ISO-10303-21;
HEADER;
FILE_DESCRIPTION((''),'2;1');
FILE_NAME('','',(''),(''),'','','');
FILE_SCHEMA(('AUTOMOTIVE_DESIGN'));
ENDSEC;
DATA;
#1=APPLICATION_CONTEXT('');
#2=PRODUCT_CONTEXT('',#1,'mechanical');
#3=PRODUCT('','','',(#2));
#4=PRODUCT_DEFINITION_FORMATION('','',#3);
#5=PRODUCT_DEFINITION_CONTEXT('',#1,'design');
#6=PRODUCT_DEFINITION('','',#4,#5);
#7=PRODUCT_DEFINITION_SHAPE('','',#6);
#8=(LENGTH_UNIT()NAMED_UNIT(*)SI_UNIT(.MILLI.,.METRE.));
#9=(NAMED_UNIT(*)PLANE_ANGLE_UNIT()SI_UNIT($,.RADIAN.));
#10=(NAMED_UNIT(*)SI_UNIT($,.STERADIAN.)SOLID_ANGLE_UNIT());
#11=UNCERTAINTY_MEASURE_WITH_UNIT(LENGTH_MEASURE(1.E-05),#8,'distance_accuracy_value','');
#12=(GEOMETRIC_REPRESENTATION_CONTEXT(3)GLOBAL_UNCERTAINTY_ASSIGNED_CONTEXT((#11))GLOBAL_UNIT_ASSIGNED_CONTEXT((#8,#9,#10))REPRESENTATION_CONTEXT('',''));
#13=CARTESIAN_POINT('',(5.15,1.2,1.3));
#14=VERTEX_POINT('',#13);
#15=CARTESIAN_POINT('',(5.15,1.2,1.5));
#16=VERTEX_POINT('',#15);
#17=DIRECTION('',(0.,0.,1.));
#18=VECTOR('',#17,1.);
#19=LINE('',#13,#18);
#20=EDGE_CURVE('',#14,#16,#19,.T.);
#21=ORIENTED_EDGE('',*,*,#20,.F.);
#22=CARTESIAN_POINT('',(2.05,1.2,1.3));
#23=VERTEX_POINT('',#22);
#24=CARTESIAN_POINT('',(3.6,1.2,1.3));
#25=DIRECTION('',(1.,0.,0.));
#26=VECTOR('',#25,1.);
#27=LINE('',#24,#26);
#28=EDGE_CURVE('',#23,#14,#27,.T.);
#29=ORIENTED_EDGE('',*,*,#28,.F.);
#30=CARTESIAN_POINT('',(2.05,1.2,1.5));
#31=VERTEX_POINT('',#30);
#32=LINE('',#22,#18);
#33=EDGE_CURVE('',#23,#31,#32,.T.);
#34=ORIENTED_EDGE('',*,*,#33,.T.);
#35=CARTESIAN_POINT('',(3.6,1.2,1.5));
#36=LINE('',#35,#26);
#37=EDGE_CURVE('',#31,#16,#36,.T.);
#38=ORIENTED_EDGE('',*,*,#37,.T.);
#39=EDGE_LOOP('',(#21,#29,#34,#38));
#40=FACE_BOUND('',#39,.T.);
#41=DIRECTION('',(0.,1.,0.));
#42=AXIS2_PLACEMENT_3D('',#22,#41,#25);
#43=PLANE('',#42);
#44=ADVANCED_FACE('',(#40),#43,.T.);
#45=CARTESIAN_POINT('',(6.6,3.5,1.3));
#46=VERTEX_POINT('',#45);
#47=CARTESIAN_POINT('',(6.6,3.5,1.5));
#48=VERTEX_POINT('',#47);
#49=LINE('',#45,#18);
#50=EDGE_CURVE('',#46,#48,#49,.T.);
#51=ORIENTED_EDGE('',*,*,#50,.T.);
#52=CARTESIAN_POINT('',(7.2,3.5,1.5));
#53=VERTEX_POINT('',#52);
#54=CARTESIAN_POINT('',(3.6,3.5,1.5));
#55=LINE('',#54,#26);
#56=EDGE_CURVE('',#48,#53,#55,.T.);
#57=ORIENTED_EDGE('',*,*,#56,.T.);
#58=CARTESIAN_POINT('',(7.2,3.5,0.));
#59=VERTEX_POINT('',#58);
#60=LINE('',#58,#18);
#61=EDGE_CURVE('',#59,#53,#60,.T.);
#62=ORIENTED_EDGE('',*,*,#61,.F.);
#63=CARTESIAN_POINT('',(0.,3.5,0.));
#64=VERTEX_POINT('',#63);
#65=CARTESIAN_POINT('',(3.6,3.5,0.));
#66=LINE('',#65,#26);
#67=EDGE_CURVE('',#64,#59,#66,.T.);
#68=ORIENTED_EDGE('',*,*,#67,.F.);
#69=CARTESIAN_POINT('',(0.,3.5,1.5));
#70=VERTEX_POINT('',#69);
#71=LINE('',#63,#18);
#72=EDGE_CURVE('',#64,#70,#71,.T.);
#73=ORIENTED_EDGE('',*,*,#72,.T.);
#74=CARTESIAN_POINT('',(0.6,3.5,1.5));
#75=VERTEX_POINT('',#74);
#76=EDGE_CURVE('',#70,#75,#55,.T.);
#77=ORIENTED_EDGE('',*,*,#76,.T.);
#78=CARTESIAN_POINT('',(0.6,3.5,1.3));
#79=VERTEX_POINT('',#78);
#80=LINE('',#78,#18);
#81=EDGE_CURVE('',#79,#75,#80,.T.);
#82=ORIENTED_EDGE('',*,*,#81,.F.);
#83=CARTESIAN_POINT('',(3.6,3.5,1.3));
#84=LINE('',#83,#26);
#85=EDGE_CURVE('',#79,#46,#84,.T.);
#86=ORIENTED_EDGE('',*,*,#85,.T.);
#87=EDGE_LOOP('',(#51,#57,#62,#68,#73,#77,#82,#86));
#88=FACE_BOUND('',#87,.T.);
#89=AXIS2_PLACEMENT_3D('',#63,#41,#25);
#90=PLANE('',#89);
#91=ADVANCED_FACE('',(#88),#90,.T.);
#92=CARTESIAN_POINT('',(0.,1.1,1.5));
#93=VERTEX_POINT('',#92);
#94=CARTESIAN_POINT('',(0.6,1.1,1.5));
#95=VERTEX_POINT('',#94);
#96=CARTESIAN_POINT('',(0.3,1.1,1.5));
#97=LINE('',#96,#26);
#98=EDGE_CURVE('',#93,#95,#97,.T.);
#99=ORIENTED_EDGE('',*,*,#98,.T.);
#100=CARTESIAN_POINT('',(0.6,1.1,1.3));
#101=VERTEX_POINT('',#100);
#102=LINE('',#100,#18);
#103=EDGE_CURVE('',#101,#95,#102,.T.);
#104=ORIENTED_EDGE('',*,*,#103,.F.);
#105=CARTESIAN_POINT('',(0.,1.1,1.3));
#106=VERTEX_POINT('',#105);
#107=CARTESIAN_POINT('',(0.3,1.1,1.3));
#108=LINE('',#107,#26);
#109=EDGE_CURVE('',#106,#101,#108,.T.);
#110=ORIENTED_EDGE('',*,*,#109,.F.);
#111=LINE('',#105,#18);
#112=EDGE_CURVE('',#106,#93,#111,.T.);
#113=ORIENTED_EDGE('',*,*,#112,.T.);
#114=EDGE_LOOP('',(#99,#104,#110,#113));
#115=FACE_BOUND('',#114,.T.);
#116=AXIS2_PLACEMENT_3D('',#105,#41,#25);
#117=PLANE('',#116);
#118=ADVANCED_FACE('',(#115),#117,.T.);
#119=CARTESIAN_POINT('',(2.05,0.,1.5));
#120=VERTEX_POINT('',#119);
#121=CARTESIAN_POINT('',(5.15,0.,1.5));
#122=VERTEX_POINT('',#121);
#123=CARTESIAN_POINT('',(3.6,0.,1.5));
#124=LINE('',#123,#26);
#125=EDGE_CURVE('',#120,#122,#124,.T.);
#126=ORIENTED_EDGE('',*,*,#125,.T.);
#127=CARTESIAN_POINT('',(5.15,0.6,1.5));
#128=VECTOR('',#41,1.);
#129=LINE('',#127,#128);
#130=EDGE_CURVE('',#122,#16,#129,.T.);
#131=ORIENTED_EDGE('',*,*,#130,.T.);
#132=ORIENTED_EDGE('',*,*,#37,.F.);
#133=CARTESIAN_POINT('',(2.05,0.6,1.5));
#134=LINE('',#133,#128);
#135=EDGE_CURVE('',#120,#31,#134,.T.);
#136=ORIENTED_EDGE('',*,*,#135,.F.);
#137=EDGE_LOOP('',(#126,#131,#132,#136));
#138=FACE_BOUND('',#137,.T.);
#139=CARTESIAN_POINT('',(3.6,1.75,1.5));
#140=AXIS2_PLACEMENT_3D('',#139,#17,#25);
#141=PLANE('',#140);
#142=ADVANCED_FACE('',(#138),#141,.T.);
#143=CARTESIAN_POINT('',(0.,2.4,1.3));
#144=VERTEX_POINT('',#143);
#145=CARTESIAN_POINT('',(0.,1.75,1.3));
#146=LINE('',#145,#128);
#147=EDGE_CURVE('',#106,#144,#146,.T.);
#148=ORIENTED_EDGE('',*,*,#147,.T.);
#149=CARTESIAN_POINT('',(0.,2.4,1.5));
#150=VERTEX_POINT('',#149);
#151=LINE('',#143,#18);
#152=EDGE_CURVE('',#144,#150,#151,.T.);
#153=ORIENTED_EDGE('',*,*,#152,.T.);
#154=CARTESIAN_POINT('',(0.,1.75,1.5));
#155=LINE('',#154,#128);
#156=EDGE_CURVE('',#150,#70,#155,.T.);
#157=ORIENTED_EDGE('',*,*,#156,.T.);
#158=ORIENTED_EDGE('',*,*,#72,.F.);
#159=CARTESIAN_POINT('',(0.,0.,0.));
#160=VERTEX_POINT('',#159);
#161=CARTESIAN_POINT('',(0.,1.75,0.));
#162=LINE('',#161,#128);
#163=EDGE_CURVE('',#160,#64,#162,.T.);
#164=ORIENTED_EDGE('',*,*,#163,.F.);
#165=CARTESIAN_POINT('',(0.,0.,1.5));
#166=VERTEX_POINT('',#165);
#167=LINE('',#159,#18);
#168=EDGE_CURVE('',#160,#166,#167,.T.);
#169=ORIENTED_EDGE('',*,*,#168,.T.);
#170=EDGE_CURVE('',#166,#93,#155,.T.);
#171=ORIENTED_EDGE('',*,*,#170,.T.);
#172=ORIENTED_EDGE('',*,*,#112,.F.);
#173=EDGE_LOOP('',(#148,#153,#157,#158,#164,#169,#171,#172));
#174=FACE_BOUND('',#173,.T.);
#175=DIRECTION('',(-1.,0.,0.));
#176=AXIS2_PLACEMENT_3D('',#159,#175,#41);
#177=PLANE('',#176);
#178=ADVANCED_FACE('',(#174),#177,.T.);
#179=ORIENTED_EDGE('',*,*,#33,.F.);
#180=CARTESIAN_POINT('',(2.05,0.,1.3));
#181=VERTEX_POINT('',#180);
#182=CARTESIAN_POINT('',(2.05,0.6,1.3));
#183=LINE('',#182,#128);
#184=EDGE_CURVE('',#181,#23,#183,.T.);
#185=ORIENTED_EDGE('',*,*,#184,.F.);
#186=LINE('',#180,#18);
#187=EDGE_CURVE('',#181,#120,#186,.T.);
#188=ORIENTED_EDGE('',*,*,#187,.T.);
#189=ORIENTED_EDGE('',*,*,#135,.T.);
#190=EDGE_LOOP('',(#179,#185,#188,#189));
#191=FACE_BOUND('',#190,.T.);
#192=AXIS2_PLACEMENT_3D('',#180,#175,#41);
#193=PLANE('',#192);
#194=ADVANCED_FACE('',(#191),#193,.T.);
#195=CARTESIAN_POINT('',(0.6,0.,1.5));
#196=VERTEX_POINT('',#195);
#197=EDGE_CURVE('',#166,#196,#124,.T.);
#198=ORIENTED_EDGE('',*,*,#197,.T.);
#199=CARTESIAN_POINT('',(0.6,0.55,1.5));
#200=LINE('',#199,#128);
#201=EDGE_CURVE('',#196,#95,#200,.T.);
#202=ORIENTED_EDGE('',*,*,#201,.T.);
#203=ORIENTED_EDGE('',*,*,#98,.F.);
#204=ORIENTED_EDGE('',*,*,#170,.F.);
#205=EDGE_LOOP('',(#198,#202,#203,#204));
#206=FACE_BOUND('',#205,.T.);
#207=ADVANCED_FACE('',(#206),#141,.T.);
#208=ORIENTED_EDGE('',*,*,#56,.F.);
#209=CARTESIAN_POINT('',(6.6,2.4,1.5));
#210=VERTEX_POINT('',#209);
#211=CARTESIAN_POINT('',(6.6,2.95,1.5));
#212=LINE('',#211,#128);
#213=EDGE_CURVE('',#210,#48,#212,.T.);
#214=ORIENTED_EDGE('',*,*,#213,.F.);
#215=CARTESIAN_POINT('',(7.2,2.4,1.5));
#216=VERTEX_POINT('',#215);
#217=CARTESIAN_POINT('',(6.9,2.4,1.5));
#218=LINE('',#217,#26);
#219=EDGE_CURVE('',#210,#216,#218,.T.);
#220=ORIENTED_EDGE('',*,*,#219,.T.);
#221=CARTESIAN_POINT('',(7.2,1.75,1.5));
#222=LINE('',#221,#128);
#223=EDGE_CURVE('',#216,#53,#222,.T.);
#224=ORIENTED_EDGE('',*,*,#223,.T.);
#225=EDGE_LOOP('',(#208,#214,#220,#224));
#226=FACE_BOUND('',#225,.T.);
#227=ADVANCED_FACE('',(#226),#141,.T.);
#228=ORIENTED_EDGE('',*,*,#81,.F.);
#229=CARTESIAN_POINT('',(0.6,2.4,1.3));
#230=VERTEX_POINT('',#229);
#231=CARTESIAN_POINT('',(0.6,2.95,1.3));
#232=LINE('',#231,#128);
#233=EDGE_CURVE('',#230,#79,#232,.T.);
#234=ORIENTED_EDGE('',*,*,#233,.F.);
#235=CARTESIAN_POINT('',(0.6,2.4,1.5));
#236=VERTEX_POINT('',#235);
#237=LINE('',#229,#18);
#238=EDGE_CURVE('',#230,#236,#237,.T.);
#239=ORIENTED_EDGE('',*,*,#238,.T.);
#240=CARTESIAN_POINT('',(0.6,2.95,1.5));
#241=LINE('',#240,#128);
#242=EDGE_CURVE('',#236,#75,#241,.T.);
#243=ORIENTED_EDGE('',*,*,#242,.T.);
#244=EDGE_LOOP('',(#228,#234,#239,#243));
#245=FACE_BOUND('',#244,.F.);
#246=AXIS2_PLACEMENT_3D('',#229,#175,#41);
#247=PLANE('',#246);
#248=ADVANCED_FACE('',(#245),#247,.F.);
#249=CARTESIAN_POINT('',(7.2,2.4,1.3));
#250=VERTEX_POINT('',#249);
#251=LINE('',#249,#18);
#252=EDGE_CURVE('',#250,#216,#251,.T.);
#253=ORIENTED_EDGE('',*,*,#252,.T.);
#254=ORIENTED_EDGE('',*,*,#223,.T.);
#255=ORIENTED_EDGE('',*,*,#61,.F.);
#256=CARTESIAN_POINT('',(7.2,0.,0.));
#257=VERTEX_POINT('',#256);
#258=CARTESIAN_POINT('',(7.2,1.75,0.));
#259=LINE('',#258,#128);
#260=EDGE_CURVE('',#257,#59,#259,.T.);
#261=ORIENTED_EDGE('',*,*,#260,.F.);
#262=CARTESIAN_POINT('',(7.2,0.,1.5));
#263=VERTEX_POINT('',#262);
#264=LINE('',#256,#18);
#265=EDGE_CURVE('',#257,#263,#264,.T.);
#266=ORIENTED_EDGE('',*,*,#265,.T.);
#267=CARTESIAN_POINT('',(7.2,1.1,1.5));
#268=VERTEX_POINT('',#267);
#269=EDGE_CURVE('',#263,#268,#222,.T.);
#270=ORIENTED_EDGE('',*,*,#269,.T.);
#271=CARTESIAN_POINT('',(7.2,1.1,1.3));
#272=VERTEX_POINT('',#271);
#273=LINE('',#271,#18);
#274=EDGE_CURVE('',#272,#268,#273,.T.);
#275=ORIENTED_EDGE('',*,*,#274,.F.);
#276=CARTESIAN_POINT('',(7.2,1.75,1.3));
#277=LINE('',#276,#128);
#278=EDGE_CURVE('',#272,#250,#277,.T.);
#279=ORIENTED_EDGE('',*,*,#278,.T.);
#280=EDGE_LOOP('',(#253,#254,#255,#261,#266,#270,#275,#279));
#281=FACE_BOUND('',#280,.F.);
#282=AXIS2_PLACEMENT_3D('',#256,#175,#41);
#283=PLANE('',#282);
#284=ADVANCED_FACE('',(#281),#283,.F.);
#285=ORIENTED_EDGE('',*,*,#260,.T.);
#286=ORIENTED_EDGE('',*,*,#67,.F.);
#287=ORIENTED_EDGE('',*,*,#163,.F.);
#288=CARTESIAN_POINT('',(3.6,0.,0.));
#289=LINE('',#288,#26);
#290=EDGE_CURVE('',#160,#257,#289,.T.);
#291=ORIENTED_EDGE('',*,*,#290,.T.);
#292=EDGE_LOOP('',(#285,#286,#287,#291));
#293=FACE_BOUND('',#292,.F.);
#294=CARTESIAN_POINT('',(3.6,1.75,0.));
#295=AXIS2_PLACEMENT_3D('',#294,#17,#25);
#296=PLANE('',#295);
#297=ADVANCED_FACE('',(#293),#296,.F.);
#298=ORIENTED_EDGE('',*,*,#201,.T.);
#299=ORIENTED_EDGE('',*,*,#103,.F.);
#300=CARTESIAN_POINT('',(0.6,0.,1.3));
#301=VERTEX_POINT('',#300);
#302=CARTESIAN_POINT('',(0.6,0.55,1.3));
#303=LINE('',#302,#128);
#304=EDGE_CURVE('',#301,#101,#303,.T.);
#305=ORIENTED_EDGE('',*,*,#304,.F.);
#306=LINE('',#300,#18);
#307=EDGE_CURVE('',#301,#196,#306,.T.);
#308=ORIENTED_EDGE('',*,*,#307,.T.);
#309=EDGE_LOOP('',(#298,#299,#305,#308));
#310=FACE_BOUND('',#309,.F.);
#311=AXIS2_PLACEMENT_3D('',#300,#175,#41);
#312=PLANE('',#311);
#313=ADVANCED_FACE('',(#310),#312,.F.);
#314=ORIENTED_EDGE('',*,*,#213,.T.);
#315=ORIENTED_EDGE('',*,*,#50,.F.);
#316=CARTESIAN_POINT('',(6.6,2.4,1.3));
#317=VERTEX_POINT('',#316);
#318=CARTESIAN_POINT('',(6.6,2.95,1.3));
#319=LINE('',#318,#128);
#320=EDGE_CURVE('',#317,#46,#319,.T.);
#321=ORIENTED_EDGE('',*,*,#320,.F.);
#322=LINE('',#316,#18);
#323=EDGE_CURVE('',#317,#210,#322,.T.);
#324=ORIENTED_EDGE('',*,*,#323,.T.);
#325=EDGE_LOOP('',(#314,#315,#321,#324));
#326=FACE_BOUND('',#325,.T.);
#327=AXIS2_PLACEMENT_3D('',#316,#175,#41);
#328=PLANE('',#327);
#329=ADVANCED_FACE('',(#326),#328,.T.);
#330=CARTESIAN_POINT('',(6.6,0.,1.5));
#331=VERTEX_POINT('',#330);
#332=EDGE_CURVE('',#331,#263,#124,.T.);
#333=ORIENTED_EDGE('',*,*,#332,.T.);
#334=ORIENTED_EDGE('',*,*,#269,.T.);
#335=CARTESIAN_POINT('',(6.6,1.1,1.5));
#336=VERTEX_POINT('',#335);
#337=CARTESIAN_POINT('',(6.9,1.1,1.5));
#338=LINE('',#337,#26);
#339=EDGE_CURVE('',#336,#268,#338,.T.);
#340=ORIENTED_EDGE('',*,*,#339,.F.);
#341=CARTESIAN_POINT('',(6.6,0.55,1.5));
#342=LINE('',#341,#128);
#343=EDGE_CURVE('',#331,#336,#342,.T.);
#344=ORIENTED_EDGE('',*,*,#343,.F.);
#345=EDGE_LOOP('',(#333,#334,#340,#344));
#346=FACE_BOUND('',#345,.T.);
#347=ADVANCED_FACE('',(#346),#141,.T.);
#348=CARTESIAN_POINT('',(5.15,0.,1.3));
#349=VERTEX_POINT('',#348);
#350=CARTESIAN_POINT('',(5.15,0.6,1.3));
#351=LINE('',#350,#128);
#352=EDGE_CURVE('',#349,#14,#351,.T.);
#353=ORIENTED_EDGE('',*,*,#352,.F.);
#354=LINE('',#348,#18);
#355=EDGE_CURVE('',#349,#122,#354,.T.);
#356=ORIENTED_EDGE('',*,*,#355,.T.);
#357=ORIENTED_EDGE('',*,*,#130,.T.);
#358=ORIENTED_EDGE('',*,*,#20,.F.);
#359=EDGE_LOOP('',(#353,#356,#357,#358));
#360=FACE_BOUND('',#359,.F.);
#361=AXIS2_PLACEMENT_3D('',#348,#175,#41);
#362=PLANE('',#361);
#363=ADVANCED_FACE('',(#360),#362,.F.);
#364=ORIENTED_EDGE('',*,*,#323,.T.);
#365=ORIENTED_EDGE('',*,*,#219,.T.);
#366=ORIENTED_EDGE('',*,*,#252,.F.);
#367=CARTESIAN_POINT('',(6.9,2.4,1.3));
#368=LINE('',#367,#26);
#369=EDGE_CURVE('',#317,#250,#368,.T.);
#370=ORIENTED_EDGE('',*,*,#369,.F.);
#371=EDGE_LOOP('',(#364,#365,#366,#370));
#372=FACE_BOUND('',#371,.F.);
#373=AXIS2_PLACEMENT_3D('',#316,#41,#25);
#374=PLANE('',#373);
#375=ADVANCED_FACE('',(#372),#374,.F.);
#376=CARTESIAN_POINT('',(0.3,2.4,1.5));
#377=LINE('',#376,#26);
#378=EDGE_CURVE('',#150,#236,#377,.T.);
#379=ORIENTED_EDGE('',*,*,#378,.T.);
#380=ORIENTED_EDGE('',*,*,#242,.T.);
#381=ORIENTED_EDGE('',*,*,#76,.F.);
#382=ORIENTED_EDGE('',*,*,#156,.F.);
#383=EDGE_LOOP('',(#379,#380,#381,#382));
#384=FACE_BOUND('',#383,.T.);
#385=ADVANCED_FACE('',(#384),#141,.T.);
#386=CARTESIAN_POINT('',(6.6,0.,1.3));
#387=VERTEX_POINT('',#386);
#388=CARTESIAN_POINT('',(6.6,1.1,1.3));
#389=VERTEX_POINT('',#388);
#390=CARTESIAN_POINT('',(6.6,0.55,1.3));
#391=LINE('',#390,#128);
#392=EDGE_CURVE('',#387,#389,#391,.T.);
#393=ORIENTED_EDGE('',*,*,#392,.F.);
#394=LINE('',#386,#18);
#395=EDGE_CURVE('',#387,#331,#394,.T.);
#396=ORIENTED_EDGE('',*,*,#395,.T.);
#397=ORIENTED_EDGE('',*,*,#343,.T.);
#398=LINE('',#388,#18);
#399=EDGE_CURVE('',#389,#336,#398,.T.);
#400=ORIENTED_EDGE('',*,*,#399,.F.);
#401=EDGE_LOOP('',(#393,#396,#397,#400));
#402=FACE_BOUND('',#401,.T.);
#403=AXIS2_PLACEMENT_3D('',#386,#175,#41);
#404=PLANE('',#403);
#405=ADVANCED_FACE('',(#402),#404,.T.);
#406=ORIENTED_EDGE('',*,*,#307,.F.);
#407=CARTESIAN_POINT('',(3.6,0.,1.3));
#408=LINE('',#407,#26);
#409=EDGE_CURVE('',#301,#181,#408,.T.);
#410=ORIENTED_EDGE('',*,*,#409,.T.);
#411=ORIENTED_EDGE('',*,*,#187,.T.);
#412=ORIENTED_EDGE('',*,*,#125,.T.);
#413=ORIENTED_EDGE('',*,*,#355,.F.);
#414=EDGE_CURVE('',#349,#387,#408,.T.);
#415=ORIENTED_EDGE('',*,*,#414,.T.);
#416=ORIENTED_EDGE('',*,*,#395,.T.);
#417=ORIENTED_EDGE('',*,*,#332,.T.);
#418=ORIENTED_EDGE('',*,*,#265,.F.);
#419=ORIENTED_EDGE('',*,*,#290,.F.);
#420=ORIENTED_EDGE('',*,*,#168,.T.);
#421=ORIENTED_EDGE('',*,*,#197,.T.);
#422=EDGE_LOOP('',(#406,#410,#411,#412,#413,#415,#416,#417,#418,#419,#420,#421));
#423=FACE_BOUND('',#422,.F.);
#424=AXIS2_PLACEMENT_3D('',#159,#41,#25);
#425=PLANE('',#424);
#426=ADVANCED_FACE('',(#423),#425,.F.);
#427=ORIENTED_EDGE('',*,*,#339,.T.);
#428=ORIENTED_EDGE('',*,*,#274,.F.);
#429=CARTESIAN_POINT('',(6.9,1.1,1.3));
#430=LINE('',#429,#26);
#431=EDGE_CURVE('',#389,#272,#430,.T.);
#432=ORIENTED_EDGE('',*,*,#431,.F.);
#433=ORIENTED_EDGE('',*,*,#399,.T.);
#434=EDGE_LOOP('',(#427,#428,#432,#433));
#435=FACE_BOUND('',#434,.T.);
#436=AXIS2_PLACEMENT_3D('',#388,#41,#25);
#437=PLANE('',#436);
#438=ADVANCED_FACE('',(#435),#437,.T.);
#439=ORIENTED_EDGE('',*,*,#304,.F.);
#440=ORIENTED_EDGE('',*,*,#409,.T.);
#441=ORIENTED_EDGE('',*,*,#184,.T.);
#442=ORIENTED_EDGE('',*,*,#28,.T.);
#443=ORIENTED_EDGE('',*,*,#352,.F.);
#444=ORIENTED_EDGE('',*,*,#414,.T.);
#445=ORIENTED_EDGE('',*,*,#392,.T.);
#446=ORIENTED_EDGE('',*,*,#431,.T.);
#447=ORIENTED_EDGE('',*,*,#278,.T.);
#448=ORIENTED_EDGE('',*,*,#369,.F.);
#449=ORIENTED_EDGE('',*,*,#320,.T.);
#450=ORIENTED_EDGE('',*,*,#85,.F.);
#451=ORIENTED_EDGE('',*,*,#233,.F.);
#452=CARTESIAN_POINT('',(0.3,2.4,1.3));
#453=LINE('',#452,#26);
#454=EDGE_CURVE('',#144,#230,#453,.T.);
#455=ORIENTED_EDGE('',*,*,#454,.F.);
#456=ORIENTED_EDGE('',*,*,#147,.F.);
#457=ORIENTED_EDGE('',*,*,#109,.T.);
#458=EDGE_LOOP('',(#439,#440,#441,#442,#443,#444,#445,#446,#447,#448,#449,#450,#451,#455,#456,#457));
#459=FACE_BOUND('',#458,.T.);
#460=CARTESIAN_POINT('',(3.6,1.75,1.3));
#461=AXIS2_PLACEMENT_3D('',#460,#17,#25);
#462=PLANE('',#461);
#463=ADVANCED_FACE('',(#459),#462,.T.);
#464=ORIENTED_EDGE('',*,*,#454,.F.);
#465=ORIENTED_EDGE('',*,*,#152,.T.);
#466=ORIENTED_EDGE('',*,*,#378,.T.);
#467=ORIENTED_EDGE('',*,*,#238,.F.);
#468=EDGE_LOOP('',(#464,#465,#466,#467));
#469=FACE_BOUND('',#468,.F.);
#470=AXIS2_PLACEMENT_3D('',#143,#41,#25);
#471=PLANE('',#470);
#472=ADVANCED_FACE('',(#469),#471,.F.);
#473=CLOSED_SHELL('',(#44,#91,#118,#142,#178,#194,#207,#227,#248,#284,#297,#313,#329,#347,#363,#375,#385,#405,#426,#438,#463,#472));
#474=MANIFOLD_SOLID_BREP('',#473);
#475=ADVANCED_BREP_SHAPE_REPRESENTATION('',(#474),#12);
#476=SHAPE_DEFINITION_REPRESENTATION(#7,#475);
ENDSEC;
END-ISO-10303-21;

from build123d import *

# Parameters (mm, degrees)
BOX024_W     = 3.1
BOX024_H     = 1.2
BOX024_DEPTH = 0.2
BOX023_W     = 0.6
BOX023_H     = 1.1
BOX023_DEPTH = 0.2
BOX022_W     = 0.6
BOX022_H     = 1.1
BOX022_DEPTH = 0.2
BOX021_W     = 0.6
BOX021_H     = 1.1
BOX021_DEPTH = 0.2
BOX020_W     = 0.6
BOX020_H     = 1.1
BOX020_DEPTH = 0.2
BOX025_W     = 7.2
BOX025_H     = 3.5
BOX025_DEPTH = 0.2
BOX_W        = 7.2
BOX_H        = 3.5
BOX_DEPTH    = 1.5


with BuildPart() as cube024:
    # Box024 → Box024 (new body)
    with BuildSketch(Plane(origin=(2.05, 0, 1.3), x_dir=(1, 0, 0), z_dir=(0, 0, 1))):
        with Locations((1.55, 0.6)):
            Rectangle(BOX024_W, BOX024_H)
    extrude(amount=BOX024_DEPTH)


with BuildPart() as cube023:
    # Box023 → Box023 (new body)
    with BuildSketch(Plane(origin=(0, 2.4, 1.3), x_dir=(1, 0, 0), z_dir=(0, 0, 1))):
        with Locations((0.3, 0.55)):
            Rectangle(BOX023_W, BOX023_H)
    extrude(amount=BOX023_DEPTH)


with BuildPart() as cube022:
    # Box022 → Box022 (new body)
    with BuildSketch(Plane.XY.offset(1.3)):
        with Locations((0.3, 0.55)):
            Rectangle(BOX022_W, BOX022_H)
    extrude(amount=BOX022_DEPTH)


with BuildPart() as cube021:
    # Box021 → Box021 (new body)
    with BuildSketch(Plane(origin=(6.6, 2.4, 1.3), x_dir=(1, 0, 0), z_dir=(0, 0, 1))):
        with Locations((0.3, 0.55)):
            Rectangle(BOX021_W, BOX021_H)
    extrude(amount=BOX021_DEPTH)


with BuildPart() as cube020:
    # Box020 → Box020 (new body)
    with BuildSketch(Plane(origin=(6.6, 0, 1.3), x_dir=(1, 0, 0), z_dir=(0, 0, 1))):
        with Locations((0.3, 0.55)):
            Rectangle(BOX020_W, BOX020_H)
    extrude(amount=BOX020_DEPTH)


with BuildPart() as silver_top001:
    # Box025 → Box025 (new body)
    with BuildSketch(Plane.XY.offset(1.3)):
        with Locations((3.6, 1.75)):
            Rectangle(BOX025_W, BOX025_H)
    extrude(amount=BOX025_DEPTH)

    # Cut005: cut Cube020
    add(cube020.part, mode=Mode.SUBTRACT)

    # Cut009: cut Cube021
    add(cube021.part, mode=Mode.SUBTRACT)

    # Cut006: cut Cube022
    add(cube022.part, mode=Mode.SUBTRACT)

    # Cut008: cut Cube023
    add(cube023.part, mode=Mode.SUBTRACT)

    # Cut007: cut Cube024
    add(cube024.part, mode=Mode.SUBTRACT)


with BuildPart() as plastic_body:
    # Box → Box (new body)
    with BuildSketch(Plane.XY):
        with Locations((3.6, 1.75)):
            Rectangle(BOX_W, BOX_H)
    extrude(amount=BOX_DEPTH)

    # Cut010: cut Silver Top001
    add(silver_top001.part, mode=Mode.SUBTRACT)


solid = plastic_body.part
